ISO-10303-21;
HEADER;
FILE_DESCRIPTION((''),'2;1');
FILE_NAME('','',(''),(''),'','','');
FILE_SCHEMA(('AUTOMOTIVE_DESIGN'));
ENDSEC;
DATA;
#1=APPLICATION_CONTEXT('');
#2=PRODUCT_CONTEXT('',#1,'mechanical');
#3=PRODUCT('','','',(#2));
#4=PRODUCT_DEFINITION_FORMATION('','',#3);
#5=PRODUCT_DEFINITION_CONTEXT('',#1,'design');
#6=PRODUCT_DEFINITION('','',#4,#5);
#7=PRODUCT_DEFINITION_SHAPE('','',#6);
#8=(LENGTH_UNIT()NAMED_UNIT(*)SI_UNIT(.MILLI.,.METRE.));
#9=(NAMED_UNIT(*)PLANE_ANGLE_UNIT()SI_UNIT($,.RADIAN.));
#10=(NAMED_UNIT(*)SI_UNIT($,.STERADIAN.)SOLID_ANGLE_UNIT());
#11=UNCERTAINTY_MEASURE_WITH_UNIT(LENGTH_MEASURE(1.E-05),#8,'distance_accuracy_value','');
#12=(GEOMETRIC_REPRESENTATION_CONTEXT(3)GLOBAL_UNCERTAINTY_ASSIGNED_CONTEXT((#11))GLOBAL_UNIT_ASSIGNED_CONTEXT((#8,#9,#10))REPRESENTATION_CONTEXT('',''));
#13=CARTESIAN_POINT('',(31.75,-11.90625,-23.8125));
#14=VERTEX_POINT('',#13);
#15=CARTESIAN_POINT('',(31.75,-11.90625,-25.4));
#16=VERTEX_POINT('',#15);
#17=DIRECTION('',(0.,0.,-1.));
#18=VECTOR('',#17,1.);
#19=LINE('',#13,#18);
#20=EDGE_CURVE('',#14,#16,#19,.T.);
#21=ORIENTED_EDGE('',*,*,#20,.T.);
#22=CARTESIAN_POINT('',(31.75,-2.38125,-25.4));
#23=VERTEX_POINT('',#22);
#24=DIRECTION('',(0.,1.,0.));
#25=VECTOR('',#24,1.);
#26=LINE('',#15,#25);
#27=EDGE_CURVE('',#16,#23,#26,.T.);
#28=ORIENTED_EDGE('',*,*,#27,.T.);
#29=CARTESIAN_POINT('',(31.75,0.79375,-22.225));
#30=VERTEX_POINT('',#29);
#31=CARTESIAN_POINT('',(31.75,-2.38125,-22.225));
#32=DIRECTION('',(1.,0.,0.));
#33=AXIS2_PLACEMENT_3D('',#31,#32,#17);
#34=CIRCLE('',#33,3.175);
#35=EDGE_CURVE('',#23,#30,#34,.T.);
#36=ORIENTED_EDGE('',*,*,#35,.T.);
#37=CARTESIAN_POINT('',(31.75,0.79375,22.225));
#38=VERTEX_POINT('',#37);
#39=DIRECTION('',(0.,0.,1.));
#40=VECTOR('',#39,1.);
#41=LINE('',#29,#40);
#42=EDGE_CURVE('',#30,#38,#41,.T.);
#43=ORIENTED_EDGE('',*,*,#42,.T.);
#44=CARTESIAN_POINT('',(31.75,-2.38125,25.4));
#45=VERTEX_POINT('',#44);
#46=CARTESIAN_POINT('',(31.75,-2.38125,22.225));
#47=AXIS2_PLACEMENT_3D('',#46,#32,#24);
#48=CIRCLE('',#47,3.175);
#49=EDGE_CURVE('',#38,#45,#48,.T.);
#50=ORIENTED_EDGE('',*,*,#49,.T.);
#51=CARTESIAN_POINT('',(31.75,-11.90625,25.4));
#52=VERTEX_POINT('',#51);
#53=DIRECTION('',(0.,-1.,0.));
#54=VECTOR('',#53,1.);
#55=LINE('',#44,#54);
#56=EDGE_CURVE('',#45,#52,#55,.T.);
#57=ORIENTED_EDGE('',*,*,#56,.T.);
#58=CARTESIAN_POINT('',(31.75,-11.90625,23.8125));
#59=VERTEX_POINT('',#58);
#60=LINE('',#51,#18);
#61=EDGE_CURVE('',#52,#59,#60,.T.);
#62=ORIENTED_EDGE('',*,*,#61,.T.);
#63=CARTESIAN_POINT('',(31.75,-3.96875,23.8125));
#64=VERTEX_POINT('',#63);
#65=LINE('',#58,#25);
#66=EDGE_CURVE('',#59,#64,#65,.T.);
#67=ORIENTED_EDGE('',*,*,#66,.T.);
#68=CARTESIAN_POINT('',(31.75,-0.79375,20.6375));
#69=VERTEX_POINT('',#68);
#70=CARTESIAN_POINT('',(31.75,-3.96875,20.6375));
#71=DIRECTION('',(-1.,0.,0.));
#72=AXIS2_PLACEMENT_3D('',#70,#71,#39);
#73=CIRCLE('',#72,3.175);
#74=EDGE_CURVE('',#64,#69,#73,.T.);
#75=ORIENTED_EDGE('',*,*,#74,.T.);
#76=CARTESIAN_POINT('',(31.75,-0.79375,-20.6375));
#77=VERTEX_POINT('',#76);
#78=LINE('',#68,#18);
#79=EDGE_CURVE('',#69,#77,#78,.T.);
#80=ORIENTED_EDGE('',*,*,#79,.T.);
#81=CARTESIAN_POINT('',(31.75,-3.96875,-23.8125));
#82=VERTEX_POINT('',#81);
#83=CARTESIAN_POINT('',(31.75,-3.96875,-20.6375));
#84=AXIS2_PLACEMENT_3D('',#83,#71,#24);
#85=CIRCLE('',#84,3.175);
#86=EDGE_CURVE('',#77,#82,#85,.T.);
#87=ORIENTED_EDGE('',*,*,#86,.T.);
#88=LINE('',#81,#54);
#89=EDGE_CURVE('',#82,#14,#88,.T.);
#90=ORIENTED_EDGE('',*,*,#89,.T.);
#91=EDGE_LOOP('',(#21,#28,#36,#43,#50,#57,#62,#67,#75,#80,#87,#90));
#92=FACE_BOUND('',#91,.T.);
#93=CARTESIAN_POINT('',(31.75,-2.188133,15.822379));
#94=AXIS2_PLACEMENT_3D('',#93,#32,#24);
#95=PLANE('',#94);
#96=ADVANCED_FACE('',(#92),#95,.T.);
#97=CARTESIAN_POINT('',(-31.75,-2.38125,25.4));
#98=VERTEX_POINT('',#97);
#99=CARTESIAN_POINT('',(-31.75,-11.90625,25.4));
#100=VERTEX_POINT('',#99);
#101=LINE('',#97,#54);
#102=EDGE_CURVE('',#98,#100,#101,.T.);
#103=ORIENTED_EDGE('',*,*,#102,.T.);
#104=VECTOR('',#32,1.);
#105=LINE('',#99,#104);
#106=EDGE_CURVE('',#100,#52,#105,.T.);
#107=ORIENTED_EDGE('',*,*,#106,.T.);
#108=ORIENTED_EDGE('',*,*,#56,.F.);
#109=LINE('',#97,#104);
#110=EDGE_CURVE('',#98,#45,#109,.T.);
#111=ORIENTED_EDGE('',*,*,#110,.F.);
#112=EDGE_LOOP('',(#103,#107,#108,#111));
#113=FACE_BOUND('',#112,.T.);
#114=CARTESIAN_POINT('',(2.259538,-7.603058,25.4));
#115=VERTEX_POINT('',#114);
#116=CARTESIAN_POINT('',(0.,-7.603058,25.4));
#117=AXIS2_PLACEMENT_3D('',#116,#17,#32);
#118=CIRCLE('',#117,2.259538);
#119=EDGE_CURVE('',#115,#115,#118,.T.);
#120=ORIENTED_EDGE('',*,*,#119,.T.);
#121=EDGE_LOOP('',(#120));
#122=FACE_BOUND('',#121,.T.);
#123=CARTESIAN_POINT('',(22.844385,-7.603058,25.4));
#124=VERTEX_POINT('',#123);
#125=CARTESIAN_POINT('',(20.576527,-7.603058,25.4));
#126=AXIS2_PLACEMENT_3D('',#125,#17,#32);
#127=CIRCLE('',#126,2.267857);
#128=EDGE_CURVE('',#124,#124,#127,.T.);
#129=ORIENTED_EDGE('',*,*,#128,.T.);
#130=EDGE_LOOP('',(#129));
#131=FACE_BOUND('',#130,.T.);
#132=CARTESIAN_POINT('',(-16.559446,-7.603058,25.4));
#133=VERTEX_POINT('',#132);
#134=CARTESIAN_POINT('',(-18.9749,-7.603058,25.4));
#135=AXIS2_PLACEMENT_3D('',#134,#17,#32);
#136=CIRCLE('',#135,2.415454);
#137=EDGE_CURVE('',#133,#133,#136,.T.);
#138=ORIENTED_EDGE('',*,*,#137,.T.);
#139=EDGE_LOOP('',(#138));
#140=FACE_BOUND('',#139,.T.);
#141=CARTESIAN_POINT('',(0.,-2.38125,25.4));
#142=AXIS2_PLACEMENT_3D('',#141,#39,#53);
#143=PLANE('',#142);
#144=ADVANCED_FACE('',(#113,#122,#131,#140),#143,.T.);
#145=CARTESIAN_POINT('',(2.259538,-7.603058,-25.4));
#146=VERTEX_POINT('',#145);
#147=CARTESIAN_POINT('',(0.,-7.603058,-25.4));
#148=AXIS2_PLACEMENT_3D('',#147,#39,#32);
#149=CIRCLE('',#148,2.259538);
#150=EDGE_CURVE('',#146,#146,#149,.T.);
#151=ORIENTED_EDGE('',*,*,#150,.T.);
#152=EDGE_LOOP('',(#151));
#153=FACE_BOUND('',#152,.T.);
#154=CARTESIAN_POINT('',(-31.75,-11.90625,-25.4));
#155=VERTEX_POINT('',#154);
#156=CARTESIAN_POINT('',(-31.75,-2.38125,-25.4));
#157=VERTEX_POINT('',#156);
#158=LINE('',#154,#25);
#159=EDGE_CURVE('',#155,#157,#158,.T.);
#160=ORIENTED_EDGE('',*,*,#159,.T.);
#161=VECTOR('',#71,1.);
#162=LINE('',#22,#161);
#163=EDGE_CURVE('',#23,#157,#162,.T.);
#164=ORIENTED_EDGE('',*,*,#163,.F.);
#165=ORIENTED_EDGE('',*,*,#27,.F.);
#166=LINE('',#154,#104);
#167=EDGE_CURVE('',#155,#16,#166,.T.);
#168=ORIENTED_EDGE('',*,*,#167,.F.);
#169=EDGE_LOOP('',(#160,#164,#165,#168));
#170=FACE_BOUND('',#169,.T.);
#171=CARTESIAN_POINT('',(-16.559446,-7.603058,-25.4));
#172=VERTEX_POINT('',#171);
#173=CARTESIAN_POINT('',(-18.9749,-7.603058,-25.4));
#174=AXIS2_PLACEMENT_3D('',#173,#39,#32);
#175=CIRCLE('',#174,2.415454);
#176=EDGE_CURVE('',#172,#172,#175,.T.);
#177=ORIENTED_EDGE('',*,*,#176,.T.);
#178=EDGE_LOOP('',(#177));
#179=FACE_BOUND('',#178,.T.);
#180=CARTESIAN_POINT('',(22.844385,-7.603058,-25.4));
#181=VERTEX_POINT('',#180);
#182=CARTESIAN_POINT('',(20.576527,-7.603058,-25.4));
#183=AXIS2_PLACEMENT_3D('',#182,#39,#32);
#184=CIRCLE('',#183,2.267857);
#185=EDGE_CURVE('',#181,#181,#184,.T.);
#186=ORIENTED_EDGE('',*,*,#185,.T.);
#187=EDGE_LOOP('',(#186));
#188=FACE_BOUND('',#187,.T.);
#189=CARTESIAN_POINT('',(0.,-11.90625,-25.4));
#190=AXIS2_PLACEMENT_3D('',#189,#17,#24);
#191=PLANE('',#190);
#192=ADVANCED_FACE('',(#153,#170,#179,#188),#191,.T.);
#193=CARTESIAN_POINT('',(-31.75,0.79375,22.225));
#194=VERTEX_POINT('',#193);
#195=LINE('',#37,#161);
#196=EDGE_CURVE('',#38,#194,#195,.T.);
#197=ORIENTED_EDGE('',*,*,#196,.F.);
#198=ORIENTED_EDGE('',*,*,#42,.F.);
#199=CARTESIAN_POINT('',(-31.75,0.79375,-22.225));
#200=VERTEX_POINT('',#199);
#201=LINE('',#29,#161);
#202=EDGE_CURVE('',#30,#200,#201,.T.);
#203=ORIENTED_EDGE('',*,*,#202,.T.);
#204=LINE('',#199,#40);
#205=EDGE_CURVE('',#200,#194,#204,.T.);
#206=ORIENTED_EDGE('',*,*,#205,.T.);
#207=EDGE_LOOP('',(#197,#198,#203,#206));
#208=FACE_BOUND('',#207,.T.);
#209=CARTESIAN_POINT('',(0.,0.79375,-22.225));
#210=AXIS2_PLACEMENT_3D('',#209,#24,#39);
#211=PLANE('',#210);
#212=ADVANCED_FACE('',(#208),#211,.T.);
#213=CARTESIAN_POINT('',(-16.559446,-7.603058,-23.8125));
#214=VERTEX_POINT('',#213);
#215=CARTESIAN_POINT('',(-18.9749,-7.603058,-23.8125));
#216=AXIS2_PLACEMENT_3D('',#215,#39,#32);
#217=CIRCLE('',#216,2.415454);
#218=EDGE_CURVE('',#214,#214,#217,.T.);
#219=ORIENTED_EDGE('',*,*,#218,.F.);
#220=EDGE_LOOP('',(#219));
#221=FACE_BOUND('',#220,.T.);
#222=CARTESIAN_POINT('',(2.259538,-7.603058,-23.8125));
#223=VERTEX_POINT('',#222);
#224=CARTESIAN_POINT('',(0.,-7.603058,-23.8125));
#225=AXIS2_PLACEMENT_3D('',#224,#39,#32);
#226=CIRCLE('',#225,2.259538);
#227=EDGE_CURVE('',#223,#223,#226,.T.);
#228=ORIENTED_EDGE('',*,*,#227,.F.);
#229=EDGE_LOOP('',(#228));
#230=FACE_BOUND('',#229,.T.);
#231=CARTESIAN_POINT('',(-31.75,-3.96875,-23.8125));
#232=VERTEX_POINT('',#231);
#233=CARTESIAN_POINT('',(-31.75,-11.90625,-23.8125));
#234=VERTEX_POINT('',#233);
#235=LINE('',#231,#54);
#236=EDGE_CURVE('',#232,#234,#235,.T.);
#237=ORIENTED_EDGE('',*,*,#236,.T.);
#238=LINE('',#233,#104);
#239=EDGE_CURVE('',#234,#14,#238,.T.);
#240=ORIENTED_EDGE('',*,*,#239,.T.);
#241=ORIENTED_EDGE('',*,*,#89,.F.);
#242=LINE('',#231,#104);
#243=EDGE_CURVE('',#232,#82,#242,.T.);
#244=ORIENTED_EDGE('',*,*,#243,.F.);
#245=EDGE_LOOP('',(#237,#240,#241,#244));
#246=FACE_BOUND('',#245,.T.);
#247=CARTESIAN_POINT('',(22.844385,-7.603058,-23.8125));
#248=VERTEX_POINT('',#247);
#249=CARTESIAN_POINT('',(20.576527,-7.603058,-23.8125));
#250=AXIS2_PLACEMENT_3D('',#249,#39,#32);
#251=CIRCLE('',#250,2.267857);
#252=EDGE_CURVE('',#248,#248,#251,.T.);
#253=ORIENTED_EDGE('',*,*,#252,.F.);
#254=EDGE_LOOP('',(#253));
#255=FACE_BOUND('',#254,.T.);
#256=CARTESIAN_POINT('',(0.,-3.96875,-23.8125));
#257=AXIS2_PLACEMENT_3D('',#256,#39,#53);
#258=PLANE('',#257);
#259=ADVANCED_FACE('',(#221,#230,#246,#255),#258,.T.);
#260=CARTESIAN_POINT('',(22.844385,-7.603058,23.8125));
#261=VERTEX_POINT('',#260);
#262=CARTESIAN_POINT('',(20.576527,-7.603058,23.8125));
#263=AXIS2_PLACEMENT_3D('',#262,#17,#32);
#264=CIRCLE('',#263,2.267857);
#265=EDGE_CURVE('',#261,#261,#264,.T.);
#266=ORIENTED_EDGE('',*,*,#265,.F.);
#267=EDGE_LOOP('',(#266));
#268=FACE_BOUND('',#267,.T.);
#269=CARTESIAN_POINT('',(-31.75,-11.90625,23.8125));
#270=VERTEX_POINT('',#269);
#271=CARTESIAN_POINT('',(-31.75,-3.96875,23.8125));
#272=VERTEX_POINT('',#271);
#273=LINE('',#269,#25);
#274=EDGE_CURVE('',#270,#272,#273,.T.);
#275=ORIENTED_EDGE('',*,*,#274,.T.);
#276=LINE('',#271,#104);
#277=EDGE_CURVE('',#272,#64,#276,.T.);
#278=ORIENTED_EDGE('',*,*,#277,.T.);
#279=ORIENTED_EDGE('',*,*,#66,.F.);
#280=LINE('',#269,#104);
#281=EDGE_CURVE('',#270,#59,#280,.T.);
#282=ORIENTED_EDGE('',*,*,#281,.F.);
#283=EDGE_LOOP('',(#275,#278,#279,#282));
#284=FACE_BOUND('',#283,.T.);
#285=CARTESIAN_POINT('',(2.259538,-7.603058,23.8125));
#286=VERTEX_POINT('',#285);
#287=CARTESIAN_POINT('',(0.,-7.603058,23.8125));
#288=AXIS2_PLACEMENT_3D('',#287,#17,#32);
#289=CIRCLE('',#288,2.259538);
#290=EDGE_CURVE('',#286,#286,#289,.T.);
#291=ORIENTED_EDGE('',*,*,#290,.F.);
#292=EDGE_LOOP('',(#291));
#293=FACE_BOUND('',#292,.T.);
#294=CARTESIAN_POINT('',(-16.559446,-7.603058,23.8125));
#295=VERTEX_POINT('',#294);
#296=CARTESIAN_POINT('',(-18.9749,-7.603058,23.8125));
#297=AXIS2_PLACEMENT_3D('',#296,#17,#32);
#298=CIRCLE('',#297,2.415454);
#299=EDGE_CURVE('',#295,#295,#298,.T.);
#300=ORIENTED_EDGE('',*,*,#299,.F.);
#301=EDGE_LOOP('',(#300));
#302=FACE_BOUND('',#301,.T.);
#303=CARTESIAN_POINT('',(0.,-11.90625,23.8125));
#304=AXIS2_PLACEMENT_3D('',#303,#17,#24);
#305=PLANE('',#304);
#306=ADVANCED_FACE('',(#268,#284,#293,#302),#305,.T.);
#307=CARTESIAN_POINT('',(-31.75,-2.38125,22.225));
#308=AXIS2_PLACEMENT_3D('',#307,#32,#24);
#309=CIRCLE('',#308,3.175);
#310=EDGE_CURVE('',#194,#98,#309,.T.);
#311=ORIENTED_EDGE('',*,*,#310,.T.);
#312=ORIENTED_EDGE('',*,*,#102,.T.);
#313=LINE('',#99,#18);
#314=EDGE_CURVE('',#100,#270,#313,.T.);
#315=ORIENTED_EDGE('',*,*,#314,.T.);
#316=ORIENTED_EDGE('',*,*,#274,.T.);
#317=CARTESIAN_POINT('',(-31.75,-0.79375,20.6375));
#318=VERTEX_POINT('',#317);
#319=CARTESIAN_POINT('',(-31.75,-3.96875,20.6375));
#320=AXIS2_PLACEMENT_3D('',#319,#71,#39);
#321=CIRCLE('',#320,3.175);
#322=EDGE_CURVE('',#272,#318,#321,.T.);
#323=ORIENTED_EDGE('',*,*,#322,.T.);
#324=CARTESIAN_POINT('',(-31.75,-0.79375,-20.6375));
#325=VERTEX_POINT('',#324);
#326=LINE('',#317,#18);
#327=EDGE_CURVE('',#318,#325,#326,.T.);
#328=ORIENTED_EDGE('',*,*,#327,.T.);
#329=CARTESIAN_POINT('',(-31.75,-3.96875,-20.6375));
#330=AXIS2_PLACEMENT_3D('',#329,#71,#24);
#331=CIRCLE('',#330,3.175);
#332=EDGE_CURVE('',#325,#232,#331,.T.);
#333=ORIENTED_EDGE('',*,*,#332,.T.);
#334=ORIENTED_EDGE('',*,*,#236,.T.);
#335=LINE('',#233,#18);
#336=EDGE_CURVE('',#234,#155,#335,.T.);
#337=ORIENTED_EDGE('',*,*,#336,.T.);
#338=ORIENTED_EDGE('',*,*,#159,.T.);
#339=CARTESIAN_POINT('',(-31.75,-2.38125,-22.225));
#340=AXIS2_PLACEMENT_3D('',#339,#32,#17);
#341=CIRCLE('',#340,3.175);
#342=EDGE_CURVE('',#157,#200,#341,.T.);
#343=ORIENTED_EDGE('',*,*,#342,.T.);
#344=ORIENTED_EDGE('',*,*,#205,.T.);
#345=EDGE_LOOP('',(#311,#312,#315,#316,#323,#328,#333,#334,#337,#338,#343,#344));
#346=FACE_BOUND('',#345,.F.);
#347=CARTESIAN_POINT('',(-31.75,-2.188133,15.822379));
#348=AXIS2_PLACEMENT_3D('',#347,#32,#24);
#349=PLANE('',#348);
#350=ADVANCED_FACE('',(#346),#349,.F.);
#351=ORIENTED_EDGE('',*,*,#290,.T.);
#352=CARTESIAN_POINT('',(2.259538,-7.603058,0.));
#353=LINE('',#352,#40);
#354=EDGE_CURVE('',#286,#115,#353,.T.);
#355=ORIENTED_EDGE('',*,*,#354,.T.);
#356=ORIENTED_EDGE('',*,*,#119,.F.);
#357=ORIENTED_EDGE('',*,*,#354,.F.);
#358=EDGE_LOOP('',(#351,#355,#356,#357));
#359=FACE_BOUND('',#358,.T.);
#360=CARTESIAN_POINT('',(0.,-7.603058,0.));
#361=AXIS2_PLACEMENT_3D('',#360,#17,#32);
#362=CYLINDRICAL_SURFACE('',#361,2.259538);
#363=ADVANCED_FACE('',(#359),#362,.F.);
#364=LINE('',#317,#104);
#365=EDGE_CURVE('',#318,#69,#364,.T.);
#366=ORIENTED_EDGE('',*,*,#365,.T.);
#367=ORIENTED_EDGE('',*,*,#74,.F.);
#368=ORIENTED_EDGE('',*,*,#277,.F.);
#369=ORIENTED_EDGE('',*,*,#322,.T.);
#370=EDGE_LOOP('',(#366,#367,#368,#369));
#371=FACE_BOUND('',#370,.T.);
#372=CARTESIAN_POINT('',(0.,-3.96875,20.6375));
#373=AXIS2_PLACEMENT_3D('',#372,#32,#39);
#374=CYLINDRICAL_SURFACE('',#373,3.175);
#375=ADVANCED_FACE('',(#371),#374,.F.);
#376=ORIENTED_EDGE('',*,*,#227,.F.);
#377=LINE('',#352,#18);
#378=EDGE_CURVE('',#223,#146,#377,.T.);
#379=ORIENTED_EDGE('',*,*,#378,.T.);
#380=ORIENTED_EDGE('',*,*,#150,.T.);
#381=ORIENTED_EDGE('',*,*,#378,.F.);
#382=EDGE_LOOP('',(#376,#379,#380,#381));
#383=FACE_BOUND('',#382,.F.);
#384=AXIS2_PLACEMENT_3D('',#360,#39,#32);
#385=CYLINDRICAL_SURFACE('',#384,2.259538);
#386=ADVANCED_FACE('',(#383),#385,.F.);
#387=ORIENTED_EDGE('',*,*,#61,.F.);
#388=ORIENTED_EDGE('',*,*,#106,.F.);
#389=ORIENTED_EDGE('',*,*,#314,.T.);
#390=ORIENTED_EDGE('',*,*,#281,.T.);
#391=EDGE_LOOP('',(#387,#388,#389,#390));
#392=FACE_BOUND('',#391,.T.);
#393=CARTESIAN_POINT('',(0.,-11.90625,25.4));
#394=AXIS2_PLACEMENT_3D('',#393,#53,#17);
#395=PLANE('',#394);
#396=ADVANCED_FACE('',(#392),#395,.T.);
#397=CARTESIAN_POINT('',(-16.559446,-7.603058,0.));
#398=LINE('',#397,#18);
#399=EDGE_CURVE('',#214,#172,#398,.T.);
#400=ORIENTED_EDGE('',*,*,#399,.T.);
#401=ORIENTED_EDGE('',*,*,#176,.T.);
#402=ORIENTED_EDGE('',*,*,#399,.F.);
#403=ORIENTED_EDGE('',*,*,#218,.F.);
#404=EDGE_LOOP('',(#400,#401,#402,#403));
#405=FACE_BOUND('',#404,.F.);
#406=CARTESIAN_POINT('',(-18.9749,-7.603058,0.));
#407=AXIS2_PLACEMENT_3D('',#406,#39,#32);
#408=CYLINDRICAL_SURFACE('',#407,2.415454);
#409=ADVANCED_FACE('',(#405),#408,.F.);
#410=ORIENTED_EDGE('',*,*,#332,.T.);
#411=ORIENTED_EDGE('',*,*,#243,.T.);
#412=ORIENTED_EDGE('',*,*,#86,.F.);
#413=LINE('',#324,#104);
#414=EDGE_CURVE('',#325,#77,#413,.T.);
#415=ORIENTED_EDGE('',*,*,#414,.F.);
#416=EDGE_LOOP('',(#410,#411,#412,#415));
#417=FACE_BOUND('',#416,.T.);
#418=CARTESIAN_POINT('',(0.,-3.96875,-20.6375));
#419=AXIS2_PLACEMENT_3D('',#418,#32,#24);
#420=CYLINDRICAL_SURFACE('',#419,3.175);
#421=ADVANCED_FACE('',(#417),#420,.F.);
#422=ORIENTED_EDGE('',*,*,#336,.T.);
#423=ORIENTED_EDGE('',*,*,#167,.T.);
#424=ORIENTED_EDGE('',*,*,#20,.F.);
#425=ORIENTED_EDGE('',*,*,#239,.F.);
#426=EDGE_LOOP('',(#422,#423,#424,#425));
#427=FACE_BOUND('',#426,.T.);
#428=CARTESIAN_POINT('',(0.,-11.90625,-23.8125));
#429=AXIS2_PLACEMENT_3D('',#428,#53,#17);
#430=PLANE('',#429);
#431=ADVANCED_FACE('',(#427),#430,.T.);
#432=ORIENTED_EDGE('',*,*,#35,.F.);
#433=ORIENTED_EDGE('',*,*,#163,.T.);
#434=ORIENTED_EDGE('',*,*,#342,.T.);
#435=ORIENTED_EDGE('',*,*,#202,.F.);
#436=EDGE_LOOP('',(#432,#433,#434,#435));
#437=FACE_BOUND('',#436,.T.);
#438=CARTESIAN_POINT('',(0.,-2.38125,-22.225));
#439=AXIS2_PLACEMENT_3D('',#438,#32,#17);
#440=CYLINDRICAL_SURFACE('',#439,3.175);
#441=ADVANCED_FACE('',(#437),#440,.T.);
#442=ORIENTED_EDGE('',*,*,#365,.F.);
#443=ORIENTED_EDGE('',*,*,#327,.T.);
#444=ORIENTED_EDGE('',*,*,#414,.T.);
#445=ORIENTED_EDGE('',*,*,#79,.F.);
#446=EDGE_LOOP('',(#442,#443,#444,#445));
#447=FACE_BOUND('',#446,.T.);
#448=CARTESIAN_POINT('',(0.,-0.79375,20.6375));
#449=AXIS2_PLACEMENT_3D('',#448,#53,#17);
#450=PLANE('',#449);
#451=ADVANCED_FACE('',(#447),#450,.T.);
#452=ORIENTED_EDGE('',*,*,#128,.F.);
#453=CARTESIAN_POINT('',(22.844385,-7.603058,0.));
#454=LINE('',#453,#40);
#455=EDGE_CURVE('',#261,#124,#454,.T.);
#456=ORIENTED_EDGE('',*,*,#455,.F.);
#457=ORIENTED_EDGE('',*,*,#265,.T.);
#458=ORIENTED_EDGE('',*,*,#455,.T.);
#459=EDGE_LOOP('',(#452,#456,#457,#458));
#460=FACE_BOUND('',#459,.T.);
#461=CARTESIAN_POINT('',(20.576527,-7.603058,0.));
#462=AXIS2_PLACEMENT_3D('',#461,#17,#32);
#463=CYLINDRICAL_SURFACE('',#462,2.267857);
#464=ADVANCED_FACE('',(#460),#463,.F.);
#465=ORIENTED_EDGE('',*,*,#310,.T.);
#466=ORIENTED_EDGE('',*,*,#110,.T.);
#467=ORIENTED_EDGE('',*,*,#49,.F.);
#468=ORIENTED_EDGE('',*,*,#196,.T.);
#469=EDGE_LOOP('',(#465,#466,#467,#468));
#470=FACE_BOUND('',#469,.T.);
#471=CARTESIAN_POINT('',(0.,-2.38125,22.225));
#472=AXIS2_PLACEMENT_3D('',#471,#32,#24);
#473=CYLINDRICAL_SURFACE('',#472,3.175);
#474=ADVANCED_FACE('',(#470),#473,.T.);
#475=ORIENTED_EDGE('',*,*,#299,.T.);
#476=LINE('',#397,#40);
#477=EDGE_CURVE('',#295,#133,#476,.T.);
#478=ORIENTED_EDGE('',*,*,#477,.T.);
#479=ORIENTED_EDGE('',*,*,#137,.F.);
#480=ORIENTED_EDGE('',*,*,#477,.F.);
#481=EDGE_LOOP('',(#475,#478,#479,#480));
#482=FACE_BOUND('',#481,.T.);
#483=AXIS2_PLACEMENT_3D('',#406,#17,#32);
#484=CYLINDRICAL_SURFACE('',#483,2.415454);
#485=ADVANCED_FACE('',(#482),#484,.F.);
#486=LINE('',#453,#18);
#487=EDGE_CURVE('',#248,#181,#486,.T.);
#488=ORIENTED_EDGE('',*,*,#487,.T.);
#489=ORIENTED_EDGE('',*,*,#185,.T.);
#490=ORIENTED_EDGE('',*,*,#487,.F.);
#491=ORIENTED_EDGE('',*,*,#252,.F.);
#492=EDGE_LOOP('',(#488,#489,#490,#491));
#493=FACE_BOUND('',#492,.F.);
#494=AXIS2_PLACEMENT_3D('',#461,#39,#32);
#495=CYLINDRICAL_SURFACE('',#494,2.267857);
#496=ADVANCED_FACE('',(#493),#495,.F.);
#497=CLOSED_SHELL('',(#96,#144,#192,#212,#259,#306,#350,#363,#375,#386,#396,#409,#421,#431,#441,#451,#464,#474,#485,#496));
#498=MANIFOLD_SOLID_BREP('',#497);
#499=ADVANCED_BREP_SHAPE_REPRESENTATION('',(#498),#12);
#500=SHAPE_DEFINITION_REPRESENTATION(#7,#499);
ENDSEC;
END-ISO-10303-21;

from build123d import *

# Parameters (mm, degrees)
F1_DEPTH      = 31.75
F2_R          = 2.2595381717
F2_R_2        = 2.4154540774
F2_R_3        = 2.2678572685
F3_DEPTH      = 25.401
F3_DEPTH_BACK = 25.401


with BuildPart() as f1:
    # F0 (on Right) → F1 (new body, symmetric)
    with BuildSketch(Plane.YZ):
        with BuildLine():
            Line((-0.79375, 0), (0.79375, 0))
            Line((0.79375, 0), (0.79375, 22.225))
            ThreePointArc((0.79375, 22.225), (-0.1361859697, 24.4700640303), (-2.38125, 25.4))
            Line((-2.38125, 25.4), (-11.90625, 25.4))
            Line((-11.90625, 25.4), (-11.90625, 23.8125))
            Line((-11.90625, 23.8125), (-3.96875, 23.8125))
            ThreePointArc((-3.96875, 23.8125), (-1.7236859697, 22.8825640303), (-0.79375, 20.6375))
            Line((-0.79375, 20.6375), (-0.79375, 0))
        make_face()
        with BuildLine():
            Line((0.79375, -22.225), (0.79375, 0))
            Line((0.79375, 0), (-0.79375, 0))
            Line((-0.79375, 0), (-0.79375, -20.6375))
            ThreePointArc((-0.79375, -20.6375), (-1.7236859697, -22.8825640303), (-3.96875, -23.8125))
            Line((-3.96875, -23.8125), (-11.90625, -23.8125))
            Line((-11.90625, -23.8125), (-11.90625, -25.4))
            Line((-11.90625, -25.4), (-2.38125, -25.4))
            ThreePointArc((-2.38125, -25.4), (-0.1361859697, -24.4700640303), (0.79375, -22.225))
        make_face()
    extrude(amount=F1_DEPTH, both=True)

    # F2 (on Top) → F3 (cut, two sides)
    with BuildSketch(Plane.XY) as f3_sk:
        with Locations((0, -7.6030581258)):
            Circle(F2_R)
        with Locations((-18.9749002457, -7.6030581258)):
            Circle(F2_R_2)
        with Locations((20.5765273422, -7.6030581258)):
            Circle(F2_R_3)
    extrude(amount=-F3_DEPTH, mode=Mode.SUBTRACT)
    extrude(f3_sk.sketch, amount=F3_DEPTH_BACK, mode=Mode.SUBTRACT)


solid = f1.part
